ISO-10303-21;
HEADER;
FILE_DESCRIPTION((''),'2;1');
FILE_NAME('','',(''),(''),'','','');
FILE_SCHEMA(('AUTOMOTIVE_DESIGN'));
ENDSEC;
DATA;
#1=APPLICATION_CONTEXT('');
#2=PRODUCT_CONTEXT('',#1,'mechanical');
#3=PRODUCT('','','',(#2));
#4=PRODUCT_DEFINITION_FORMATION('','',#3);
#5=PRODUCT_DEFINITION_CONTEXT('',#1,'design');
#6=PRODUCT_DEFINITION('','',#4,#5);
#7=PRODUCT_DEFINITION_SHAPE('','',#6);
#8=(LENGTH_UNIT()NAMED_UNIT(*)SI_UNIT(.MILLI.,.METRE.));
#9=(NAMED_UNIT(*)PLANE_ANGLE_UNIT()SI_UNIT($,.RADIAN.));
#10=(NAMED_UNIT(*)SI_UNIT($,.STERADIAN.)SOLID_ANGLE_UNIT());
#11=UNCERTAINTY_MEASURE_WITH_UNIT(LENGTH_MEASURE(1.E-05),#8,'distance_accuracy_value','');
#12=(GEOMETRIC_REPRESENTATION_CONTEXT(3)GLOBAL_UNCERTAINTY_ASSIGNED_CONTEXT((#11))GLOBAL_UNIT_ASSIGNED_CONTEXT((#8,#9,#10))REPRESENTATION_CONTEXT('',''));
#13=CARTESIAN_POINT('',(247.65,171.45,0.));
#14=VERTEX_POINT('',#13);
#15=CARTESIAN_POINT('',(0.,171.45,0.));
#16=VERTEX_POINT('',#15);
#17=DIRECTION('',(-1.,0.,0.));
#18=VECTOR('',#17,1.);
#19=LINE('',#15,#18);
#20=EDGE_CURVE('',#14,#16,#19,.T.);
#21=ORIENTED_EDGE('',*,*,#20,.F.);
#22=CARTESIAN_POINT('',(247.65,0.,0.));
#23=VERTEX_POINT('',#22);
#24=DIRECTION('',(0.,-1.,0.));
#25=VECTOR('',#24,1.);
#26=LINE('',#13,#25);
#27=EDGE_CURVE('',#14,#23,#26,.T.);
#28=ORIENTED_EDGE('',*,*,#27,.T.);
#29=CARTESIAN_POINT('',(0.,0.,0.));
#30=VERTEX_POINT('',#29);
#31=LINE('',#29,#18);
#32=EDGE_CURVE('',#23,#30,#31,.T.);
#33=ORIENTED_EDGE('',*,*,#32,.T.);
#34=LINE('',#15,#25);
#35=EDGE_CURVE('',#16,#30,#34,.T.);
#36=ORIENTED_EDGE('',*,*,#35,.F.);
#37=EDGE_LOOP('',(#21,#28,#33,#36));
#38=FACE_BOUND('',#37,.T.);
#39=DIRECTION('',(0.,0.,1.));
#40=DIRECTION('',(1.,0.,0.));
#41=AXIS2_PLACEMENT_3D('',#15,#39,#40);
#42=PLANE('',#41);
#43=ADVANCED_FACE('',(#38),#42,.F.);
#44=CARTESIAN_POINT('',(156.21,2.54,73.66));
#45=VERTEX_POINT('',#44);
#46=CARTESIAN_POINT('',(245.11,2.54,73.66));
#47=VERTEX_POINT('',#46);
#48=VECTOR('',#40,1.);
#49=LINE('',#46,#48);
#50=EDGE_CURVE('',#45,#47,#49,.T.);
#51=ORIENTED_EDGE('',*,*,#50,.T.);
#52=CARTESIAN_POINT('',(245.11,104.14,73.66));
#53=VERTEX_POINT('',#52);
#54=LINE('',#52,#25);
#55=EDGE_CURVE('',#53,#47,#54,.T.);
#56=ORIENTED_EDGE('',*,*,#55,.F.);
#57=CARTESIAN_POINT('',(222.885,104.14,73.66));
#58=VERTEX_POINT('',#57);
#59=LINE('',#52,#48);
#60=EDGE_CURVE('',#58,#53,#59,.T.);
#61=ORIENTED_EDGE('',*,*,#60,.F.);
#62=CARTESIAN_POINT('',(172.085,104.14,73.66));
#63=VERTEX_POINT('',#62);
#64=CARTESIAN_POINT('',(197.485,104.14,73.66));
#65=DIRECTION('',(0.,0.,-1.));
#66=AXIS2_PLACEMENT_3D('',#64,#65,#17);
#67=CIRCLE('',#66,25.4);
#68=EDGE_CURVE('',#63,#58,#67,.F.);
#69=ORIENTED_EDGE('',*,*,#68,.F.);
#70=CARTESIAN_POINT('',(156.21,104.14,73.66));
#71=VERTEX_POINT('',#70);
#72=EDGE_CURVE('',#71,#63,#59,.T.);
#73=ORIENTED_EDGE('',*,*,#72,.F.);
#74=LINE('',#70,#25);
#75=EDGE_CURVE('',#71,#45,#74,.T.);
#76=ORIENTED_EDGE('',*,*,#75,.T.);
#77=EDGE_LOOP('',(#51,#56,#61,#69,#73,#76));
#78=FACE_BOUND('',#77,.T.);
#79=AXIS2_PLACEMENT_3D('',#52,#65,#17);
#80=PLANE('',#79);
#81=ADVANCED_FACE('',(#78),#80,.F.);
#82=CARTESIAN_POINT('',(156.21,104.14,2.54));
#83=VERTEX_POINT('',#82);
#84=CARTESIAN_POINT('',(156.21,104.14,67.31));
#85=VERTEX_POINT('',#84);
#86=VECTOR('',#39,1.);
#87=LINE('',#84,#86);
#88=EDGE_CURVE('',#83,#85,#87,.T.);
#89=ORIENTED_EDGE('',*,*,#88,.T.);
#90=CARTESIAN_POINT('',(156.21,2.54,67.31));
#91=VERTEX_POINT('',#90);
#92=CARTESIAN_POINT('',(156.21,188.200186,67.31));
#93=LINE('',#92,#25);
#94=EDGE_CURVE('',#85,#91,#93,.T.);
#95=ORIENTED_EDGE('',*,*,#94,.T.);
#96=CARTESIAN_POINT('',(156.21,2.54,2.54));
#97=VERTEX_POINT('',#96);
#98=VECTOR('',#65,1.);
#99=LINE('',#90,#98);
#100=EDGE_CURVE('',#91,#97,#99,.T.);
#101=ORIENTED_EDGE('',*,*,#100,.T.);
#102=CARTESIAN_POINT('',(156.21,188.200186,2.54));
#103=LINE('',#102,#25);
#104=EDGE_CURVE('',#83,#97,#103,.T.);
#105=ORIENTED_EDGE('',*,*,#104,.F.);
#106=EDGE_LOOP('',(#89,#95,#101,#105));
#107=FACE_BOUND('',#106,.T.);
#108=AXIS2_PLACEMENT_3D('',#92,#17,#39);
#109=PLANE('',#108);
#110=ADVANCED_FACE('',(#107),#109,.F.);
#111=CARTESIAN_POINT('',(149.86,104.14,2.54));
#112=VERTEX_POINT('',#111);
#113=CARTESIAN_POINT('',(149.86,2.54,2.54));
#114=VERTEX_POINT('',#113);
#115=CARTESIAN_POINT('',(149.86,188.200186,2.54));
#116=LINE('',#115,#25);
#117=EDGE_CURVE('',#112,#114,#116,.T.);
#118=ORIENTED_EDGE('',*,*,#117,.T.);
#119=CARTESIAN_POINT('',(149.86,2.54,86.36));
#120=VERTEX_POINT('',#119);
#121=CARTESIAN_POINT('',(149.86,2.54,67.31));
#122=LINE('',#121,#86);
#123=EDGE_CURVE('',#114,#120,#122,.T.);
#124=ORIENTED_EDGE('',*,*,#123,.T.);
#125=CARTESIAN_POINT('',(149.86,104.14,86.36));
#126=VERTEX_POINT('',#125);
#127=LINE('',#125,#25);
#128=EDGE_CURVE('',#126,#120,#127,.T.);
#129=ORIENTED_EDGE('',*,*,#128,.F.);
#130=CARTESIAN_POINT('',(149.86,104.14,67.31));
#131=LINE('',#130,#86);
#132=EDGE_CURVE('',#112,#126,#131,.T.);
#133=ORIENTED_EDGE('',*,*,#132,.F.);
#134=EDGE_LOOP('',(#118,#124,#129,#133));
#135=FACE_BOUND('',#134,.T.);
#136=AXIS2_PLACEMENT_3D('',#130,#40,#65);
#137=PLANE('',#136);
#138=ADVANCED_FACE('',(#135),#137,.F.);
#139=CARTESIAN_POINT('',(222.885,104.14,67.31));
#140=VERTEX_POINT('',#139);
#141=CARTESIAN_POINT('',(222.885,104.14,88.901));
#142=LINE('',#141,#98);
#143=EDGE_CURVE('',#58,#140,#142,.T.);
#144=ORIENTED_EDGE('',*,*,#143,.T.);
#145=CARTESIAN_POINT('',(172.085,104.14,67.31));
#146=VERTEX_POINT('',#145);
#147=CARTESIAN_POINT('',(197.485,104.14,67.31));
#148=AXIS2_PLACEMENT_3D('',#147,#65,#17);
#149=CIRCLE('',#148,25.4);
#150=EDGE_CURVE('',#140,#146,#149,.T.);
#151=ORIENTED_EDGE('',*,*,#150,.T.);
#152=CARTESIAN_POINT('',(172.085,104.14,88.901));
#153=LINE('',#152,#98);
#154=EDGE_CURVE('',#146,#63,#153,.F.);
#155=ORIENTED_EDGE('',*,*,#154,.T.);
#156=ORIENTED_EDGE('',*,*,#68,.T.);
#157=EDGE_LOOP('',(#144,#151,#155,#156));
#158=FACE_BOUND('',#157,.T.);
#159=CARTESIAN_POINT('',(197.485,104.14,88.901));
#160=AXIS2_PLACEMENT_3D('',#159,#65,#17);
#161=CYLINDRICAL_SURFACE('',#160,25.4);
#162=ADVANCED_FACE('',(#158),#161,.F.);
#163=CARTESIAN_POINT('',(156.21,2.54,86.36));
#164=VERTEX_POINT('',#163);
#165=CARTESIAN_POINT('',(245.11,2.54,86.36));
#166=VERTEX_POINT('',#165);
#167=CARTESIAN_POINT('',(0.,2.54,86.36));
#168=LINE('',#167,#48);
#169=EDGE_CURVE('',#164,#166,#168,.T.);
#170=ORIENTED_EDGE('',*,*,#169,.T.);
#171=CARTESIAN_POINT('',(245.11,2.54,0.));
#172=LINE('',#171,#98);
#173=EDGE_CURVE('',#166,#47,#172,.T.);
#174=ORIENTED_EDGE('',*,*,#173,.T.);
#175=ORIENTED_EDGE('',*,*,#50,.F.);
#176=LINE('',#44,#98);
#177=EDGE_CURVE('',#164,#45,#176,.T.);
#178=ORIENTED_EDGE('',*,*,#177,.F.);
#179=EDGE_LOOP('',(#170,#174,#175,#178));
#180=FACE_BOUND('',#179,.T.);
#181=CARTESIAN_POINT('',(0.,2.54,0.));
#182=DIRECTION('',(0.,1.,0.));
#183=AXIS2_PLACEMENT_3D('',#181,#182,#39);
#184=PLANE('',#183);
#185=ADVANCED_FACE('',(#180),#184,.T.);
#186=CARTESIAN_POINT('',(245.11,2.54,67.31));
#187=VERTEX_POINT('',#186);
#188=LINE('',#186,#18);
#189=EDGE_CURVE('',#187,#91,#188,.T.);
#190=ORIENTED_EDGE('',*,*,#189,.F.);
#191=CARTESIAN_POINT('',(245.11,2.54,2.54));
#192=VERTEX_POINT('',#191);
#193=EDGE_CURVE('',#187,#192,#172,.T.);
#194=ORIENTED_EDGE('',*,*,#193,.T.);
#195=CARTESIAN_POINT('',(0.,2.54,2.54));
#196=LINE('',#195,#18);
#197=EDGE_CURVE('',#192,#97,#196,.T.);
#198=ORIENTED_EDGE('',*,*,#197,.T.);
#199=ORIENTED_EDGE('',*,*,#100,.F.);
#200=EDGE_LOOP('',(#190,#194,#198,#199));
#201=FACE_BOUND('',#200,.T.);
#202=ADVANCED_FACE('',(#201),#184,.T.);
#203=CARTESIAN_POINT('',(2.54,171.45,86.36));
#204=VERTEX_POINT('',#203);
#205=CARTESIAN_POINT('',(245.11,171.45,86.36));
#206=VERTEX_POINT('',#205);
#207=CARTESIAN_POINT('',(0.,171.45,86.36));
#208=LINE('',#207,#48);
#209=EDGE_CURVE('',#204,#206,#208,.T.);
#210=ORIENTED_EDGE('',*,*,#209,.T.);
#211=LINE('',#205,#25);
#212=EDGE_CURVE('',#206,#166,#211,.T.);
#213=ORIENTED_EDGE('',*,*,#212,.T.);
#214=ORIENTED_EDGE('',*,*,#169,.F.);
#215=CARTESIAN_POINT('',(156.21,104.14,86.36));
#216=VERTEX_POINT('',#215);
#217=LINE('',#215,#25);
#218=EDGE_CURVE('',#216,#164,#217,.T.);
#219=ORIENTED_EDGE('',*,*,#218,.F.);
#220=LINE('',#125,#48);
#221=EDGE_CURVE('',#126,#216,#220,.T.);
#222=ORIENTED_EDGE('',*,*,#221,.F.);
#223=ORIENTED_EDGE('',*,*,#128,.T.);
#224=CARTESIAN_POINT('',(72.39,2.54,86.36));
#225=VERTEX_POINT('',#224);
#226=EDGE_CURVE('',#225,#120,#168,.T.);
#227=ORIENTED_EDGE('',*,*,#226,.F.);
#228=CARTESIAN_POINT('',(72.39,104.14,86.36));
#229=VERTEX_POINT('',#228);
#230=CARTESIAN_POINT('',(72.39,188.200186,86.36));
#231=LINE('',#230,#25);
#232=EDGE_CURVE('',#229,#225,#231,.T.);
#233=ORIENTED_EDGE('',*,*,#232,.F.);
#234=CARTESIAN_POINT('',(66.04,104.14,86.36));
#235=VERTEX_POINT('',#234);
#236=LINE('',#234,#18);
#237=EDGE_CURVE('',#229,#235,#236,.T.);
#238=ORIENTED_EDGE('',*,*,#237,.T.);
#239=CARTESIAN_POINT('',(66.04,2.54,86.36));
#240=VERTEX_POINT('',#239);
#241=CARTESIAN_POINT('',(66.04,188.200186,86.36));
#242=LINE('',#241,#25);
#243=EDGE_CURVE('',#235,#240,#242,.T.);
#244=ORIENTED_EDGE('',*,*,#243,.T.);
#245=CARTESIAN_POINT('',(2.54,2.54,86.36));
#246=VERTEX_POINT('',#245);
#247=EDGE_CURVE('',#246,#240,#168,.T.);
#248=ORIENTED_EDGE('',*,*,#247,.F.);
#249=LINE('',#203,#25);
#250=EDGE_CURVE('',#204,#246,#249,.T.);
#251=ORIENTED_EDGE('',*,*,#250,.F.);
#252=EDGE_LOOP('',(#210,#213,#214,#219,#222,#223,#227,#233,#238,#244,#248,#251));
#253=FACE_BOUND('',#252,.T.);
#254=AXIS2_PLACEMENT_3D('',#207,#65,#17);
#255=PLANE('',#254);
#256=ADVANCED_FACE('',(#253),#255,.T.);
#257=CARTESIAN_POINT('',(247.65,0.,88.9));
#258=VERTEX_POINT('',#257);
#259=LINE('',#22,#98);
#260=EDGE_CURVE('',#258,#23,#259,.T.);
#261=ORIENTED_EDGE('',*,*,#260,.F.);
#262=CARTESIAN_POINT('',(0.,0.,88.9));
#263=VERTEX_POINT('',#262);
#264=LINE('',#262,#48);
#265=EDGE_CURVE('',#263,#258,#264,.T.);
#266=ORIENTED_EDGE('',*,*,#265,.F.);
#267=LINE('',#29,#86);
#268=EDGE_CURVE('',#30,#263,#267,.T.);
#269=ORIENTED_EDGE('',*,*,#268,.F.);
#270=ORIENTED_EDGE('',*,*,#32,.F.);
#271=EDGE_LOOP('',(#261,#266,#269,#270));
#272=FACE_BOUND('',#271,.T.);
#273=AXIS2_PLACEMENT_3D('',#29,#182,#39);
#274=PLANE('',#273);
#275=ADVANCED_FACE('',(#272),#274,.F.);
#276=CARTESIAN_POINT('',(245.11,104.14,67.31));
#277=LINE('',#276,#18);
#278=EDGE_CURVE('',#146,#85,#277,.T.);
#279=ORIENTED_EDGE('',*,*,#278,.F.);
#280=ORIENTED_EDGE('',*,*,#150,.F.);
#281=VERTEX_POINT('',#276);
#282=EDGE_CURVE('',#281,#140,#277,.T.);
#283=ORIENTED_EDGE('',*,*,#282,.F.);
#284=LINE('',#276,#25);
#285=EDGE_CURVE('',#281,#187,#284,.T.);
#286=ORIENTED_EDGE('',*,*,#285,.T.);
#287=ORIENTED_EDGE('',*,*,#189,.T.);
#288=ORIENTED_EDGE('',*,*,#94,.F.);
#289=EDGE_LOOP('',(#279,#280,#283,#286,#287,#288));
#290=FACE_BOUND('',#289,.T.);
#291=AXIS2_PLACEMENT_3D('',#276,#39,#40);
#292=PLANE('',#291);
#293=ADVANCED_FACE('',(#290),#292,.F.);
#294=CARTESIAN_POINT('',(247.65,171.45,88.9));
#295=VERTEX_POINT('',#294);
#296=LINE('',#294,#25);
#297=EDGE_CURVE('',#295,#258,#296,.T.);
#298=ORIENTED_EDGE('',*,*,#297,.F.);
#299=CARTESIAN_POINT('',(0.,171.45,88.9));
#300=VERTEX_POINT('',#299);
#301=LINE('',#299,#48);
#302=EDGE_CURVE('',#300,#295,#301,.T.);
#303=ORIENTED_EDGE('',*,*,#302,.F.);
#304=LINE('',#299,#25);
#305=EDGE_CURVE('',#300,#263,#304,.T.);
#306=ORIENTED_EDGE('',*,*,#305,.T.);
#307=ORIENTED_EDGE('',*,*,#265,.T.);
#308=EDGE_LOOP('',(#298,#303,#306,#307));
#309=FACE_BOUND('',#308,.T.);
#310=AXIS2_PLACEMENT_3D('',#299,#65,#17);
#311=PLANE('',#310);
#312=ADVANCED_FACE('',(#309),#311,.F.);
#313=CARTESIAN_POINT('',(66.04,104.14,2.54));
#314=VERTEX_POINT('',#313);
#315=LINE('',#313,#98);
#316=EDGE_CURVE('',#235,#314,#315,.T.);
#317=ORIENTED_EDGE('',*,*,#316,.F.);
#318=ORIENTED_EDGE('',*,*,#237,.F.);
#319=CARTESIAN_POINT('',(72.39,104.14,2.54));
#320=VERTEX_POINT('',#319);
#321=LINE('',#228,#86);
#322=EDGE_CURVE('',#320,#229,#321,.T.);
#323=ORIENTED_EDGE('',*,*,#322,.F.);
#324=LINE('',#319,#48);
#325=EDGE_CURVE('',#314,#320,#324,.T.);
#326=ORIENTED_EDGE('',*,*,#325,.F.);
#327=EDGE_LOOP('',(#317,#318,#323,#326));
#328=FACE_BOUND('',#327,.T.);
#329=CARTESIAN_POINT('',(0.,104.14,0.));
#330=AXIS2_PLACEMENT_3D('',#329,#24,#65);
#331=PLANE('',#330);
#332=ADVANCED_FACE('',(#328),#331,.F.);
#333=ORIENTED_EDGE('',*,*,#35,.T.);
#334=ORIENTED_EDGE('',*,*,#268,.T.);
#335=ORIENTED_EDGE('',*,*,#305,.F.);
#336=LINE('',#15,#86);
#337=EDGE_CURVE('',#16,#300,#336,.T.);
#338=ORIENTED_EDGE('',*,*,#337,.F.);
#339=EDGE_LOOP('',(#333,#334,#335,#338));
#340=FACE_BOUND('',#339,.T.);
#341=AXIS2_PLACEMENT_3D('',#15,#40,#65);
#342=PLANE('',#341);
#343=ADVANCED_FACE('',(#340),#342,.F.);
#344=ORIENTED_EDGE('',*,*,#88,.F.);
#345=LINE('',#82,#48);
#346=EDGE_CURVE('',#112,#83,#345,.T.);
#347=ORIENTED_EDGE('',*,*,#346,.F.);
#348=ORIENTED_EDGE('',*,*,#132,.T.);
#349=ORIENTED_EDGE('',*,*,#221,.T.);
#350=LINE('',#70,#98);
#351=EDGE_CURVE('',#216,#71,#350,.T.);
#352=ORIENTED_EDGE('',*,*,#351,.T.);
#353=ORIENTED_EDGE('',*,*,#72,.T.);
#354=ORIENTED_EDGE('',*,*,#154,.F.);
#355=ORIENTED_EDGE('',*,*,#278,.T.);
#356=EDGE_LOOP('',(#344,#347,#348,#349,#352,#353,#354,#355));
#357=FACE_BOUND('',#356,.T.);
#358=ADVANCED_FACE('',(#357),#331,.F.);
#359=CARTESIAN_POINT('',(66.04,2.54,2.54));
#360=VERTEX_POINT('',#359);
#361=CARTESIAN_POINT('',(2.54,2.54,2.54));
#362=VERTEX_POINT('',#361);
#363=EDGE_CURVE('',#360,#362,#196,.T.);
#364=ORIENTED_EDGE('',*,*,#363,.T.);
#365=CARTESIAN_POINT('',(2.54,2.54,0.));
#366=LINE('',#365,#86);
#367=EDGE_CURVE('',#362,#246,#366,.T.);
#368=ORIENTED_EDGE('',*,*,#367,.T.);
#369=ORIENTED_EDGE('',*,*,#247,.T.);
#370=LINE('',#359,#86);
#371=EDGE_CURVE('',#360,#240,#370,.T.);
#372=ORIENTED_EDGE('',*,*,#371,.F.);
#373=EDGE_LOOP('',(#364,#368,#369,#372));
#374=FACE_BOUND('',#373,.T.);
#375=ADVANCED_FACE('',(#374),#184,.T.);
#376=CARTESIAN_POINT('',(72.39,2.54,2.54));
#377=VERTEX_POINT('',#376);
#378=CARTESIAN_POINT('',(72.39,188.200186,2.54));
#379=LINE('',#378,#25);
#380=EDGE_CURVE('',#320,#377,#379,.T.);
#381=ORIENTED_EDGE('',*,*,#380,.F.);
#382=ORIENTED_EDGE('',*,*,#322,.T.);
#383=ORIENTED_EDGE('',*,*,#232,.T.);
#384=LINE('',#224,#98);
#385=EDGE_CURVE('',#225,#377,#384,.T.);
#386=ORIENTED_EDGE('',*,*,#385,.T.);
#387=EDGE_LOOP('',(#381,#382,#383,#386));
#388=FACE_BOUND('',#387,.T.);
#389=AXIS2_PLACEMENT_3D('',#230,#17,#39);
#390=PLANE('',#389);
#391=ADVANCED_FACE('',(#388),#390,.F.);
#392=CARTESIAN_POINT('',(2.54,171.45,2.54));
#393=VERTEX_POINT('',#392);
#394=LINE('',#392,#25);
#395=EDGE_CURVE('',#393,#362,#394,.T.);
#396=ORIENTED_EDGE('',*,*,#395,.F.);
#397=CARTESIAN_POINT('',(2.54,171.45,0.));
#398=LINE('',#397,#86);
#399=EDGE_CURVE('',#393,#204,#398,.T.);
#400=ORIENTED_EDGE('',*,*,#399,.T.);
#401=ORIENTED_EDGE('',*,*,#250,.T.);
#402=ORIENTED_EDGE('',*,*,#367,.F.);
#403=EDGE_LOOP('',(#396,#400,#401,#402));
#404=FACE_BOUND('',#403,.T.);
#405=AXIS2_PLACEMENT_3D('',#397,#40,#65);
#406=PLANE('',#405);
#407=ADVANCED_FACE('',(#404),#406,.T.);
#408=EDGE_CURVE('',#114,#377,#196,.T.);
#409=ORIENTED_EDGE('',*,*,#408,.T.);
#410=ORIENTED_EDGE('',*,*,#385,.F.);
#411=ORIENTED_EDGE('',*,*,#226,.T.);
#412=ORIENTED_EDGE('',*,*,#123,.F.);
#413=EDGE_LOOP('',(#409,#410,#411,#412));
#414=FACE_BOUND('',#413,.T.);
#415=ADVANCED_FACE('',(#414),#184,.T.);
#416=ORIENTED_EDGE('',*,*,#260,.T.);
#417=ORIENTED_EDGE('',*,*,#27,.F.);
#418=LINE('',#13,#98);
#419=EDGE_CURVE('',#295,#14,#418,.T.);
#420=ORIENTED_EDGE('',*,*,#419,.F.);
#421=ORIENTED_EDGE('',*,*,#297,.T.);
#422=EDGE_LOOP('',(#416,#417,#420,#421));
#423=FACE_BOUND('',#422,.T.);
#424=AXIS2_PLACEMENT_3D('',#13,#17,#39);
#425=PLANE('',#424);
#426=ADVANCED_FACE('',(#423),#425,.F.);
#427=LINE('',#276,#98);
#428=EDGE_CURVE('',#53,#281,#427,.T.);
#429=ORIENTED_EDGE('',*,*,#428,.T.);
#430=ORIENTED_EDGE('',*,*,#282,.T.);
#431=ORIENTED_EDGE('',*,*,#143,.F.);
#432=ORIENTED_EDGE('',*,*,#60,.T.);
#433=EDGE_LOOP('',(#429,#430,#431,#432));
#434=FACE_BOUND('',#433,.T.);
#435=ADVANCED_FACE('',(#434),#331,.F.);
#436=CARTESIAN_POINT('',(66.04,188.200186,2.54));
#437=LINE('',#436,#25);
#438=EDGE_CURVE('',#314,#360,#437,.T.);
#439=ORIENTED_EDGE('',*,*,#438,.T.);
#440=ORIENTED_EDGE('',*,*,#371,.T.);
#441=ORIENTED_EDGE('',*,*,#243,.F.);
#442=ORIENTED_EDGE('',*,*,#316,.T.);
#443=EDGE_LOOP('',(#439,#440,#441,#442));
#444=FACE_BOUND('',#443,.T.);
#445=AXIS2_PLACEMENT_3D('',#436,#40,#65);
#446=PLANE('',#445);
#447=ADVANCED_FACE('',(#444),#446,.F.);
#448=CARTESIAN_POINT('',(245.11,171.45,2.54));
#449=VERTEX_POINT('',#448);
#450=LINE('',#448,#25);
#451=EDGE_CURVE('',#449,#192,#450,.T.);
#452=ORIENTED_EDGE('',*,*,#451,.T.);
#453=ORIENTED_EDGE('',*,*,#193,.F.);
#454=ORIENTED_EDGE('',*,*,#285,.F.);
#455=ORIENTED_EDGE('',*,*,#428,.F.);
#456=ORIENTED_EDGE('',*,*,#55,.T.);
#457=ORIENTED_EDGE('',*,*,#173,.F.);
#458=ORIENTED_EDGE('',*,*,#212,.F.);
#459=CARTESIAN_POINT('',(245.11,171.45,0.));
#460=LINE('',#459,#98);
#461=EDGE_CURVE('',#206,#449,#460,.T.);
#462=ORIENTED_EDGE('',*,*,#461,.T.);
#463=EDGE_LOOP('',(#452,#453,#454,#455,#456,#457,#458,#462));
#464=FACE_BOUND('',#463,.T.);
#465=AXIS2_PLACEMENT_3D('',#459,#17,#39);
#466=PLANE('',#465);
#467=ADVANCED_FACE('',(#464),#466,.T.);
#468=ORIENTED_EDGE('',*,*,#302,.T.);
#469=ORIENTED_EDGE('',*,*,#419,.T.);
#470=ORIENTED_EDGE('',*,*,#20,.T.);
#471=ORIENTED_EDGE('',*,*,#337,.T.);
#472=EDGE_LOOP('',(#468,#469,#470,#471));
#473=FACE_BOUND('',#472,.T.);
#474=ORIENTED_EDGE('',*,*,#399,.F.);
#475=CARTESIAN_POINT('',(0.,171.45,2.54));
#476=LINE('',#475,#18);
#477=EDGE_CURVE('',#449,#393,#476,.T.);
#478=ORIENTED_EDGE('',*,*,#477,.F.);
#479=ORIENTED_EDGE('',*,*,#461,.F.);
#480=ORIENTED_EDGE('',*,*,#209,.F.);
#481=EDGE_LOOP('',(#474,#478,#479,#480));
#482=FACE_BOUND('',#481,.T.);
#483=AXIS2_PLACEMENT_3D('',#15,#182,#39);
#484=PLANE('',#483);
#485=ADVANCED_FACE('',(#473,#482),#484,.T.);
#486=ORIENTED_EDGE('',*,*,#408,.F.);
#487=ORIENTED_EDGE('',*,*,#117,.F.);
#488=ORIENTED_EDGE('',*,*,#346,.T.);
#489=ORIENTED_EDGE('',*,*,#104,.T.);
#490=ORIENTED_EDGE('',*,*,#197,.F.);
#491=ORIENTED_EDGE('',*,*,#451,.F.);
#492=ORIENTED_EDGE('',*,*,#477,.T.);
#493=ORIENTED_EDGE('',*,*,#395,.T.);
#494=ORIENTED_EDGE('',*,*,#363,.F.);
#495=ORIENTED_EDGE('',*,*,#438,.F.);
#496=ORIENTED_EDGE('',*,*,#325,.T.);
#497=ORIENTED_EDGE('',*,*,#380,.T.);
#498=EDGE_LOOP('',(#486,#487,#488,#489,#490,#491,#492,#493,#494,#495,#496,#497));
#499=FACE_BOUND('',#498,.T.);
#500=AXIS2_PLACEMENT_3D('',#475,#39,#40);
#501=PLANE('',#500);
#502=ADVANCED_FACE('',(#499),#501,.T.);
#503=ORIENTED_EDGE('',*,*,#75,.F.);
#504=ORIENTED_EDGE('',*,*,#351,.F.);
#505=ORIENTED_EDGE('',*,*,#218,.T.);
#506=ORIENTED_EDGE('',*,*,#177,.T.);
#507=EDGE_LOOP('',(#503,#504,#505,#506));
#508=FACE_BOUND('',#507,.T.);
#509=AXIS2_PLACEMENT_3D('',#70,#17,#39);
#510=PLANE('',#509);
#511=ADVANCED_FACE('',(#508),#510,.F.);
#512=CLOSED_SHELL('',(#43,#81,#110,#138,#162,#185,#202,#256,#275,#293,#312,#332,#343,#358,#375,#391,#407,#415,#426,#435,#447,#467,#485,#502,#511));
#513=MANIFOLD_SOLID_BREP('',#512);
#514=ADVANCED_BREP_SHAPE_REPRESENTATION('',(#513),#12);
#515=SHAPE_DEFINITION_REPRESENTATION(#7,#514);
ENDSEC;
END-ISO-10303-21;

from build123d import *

# Parameters (mm, degrees)
SKETCH1_W           = 247.65
SKETCH1_H           = 88.9
BOSS_EXTRUDE1_DEPTH = 171.45
SHELL1_T            = -2.54
BOSS_EXTRUDE2_DEPTH = 101.6
CUT_EXTRUDE1_REACH  = 23.59
SKETCH4_R           = 25.4
SKETCH5_W           = 6.35
SKETCH5_H           = 64.77
SKETCH5_H_2         = 83.82
BOSS_EXTRUDE3_DEPTH = 101.6


with BuildPart() as part:
    # Sketch1 → Boss-Extrude1 (new body)
    with BuildSketch(Plane(origin=(0, 0, 0), x_dir=(1, 0, 0), z_dir=(0, 1, 0))):
        with Locations((123.825, -44.45)):
            Rectangle(SKETCH1_W, SKETCH1_H)
    extrude(amount=BOSS_EXTRUDE1_DEPTH)

    # Shell1
    shell1_openings = [part.faces().sort_by_distance(p)[0] for p in [
        (123.825, 171.45, 44.45),
    ]]
    offset(amount=SHELL1_T, openings=shell1_openings, kind=Kind.INTERSECTION)

    # Sketch2 → Boss-Extrude2 (add)
    with BuildSketch(Plane(origin=(0, 2.54, 0), x_dir=(1, 0, 0), z_dir=(0, 1, 0))):
        Polygon((245.11, -73.66), (156.21, -73.66), (156.21, -86.36), (149.86, -86.36), (149.86, -67.31), (245.11, -67.31), align=None)
    extrude(amount=BOSS_EXTRUDE2_DEPTH)

    # Sketch4 → Cut-Extrude1 (cut, up to next)
    with BuildSketch(Plane(origin=(0, 0, 67.31), x_dir=(-1, 0, 0), z_dir=(0, 0, -1)), mode=Mode.PRIVATE) as cut_extrude1_sk1:
        with Locations((-197.485, 104.14)):
            Circle(SKETCH4_R)
    cut_extrude1_tool1 = extrude(cut_extrude1_sk1.sketch, amount=-CUT_EXTRUDE1_REACH, mode=Mode.PRIVATE) & part.part
    add(cut_extrude1_tool1.solids().sort_by_distance((197.485, 104.14, 67.31))[0], mode=Mode.SUBTRACT)

    # Sketch5 → Boss-Extrude3 (add)
    with BuildSketch(Plane(origin=(0, 2.54, 0), x_dir=(1, 0, 0), z_dir=(0, 1, 0))):
        with Locations((153.035, -34.925)):
            Rectangle(SKETCH5_W, SKETCH5_H)
        with Locations((69.215, -44.45)):
            Rectangle(SKETCH5_W, SKETCH5_H_2)
    extrude(amount=BOSS_EXTRUDE3_DEPTH)


solid = part.part
